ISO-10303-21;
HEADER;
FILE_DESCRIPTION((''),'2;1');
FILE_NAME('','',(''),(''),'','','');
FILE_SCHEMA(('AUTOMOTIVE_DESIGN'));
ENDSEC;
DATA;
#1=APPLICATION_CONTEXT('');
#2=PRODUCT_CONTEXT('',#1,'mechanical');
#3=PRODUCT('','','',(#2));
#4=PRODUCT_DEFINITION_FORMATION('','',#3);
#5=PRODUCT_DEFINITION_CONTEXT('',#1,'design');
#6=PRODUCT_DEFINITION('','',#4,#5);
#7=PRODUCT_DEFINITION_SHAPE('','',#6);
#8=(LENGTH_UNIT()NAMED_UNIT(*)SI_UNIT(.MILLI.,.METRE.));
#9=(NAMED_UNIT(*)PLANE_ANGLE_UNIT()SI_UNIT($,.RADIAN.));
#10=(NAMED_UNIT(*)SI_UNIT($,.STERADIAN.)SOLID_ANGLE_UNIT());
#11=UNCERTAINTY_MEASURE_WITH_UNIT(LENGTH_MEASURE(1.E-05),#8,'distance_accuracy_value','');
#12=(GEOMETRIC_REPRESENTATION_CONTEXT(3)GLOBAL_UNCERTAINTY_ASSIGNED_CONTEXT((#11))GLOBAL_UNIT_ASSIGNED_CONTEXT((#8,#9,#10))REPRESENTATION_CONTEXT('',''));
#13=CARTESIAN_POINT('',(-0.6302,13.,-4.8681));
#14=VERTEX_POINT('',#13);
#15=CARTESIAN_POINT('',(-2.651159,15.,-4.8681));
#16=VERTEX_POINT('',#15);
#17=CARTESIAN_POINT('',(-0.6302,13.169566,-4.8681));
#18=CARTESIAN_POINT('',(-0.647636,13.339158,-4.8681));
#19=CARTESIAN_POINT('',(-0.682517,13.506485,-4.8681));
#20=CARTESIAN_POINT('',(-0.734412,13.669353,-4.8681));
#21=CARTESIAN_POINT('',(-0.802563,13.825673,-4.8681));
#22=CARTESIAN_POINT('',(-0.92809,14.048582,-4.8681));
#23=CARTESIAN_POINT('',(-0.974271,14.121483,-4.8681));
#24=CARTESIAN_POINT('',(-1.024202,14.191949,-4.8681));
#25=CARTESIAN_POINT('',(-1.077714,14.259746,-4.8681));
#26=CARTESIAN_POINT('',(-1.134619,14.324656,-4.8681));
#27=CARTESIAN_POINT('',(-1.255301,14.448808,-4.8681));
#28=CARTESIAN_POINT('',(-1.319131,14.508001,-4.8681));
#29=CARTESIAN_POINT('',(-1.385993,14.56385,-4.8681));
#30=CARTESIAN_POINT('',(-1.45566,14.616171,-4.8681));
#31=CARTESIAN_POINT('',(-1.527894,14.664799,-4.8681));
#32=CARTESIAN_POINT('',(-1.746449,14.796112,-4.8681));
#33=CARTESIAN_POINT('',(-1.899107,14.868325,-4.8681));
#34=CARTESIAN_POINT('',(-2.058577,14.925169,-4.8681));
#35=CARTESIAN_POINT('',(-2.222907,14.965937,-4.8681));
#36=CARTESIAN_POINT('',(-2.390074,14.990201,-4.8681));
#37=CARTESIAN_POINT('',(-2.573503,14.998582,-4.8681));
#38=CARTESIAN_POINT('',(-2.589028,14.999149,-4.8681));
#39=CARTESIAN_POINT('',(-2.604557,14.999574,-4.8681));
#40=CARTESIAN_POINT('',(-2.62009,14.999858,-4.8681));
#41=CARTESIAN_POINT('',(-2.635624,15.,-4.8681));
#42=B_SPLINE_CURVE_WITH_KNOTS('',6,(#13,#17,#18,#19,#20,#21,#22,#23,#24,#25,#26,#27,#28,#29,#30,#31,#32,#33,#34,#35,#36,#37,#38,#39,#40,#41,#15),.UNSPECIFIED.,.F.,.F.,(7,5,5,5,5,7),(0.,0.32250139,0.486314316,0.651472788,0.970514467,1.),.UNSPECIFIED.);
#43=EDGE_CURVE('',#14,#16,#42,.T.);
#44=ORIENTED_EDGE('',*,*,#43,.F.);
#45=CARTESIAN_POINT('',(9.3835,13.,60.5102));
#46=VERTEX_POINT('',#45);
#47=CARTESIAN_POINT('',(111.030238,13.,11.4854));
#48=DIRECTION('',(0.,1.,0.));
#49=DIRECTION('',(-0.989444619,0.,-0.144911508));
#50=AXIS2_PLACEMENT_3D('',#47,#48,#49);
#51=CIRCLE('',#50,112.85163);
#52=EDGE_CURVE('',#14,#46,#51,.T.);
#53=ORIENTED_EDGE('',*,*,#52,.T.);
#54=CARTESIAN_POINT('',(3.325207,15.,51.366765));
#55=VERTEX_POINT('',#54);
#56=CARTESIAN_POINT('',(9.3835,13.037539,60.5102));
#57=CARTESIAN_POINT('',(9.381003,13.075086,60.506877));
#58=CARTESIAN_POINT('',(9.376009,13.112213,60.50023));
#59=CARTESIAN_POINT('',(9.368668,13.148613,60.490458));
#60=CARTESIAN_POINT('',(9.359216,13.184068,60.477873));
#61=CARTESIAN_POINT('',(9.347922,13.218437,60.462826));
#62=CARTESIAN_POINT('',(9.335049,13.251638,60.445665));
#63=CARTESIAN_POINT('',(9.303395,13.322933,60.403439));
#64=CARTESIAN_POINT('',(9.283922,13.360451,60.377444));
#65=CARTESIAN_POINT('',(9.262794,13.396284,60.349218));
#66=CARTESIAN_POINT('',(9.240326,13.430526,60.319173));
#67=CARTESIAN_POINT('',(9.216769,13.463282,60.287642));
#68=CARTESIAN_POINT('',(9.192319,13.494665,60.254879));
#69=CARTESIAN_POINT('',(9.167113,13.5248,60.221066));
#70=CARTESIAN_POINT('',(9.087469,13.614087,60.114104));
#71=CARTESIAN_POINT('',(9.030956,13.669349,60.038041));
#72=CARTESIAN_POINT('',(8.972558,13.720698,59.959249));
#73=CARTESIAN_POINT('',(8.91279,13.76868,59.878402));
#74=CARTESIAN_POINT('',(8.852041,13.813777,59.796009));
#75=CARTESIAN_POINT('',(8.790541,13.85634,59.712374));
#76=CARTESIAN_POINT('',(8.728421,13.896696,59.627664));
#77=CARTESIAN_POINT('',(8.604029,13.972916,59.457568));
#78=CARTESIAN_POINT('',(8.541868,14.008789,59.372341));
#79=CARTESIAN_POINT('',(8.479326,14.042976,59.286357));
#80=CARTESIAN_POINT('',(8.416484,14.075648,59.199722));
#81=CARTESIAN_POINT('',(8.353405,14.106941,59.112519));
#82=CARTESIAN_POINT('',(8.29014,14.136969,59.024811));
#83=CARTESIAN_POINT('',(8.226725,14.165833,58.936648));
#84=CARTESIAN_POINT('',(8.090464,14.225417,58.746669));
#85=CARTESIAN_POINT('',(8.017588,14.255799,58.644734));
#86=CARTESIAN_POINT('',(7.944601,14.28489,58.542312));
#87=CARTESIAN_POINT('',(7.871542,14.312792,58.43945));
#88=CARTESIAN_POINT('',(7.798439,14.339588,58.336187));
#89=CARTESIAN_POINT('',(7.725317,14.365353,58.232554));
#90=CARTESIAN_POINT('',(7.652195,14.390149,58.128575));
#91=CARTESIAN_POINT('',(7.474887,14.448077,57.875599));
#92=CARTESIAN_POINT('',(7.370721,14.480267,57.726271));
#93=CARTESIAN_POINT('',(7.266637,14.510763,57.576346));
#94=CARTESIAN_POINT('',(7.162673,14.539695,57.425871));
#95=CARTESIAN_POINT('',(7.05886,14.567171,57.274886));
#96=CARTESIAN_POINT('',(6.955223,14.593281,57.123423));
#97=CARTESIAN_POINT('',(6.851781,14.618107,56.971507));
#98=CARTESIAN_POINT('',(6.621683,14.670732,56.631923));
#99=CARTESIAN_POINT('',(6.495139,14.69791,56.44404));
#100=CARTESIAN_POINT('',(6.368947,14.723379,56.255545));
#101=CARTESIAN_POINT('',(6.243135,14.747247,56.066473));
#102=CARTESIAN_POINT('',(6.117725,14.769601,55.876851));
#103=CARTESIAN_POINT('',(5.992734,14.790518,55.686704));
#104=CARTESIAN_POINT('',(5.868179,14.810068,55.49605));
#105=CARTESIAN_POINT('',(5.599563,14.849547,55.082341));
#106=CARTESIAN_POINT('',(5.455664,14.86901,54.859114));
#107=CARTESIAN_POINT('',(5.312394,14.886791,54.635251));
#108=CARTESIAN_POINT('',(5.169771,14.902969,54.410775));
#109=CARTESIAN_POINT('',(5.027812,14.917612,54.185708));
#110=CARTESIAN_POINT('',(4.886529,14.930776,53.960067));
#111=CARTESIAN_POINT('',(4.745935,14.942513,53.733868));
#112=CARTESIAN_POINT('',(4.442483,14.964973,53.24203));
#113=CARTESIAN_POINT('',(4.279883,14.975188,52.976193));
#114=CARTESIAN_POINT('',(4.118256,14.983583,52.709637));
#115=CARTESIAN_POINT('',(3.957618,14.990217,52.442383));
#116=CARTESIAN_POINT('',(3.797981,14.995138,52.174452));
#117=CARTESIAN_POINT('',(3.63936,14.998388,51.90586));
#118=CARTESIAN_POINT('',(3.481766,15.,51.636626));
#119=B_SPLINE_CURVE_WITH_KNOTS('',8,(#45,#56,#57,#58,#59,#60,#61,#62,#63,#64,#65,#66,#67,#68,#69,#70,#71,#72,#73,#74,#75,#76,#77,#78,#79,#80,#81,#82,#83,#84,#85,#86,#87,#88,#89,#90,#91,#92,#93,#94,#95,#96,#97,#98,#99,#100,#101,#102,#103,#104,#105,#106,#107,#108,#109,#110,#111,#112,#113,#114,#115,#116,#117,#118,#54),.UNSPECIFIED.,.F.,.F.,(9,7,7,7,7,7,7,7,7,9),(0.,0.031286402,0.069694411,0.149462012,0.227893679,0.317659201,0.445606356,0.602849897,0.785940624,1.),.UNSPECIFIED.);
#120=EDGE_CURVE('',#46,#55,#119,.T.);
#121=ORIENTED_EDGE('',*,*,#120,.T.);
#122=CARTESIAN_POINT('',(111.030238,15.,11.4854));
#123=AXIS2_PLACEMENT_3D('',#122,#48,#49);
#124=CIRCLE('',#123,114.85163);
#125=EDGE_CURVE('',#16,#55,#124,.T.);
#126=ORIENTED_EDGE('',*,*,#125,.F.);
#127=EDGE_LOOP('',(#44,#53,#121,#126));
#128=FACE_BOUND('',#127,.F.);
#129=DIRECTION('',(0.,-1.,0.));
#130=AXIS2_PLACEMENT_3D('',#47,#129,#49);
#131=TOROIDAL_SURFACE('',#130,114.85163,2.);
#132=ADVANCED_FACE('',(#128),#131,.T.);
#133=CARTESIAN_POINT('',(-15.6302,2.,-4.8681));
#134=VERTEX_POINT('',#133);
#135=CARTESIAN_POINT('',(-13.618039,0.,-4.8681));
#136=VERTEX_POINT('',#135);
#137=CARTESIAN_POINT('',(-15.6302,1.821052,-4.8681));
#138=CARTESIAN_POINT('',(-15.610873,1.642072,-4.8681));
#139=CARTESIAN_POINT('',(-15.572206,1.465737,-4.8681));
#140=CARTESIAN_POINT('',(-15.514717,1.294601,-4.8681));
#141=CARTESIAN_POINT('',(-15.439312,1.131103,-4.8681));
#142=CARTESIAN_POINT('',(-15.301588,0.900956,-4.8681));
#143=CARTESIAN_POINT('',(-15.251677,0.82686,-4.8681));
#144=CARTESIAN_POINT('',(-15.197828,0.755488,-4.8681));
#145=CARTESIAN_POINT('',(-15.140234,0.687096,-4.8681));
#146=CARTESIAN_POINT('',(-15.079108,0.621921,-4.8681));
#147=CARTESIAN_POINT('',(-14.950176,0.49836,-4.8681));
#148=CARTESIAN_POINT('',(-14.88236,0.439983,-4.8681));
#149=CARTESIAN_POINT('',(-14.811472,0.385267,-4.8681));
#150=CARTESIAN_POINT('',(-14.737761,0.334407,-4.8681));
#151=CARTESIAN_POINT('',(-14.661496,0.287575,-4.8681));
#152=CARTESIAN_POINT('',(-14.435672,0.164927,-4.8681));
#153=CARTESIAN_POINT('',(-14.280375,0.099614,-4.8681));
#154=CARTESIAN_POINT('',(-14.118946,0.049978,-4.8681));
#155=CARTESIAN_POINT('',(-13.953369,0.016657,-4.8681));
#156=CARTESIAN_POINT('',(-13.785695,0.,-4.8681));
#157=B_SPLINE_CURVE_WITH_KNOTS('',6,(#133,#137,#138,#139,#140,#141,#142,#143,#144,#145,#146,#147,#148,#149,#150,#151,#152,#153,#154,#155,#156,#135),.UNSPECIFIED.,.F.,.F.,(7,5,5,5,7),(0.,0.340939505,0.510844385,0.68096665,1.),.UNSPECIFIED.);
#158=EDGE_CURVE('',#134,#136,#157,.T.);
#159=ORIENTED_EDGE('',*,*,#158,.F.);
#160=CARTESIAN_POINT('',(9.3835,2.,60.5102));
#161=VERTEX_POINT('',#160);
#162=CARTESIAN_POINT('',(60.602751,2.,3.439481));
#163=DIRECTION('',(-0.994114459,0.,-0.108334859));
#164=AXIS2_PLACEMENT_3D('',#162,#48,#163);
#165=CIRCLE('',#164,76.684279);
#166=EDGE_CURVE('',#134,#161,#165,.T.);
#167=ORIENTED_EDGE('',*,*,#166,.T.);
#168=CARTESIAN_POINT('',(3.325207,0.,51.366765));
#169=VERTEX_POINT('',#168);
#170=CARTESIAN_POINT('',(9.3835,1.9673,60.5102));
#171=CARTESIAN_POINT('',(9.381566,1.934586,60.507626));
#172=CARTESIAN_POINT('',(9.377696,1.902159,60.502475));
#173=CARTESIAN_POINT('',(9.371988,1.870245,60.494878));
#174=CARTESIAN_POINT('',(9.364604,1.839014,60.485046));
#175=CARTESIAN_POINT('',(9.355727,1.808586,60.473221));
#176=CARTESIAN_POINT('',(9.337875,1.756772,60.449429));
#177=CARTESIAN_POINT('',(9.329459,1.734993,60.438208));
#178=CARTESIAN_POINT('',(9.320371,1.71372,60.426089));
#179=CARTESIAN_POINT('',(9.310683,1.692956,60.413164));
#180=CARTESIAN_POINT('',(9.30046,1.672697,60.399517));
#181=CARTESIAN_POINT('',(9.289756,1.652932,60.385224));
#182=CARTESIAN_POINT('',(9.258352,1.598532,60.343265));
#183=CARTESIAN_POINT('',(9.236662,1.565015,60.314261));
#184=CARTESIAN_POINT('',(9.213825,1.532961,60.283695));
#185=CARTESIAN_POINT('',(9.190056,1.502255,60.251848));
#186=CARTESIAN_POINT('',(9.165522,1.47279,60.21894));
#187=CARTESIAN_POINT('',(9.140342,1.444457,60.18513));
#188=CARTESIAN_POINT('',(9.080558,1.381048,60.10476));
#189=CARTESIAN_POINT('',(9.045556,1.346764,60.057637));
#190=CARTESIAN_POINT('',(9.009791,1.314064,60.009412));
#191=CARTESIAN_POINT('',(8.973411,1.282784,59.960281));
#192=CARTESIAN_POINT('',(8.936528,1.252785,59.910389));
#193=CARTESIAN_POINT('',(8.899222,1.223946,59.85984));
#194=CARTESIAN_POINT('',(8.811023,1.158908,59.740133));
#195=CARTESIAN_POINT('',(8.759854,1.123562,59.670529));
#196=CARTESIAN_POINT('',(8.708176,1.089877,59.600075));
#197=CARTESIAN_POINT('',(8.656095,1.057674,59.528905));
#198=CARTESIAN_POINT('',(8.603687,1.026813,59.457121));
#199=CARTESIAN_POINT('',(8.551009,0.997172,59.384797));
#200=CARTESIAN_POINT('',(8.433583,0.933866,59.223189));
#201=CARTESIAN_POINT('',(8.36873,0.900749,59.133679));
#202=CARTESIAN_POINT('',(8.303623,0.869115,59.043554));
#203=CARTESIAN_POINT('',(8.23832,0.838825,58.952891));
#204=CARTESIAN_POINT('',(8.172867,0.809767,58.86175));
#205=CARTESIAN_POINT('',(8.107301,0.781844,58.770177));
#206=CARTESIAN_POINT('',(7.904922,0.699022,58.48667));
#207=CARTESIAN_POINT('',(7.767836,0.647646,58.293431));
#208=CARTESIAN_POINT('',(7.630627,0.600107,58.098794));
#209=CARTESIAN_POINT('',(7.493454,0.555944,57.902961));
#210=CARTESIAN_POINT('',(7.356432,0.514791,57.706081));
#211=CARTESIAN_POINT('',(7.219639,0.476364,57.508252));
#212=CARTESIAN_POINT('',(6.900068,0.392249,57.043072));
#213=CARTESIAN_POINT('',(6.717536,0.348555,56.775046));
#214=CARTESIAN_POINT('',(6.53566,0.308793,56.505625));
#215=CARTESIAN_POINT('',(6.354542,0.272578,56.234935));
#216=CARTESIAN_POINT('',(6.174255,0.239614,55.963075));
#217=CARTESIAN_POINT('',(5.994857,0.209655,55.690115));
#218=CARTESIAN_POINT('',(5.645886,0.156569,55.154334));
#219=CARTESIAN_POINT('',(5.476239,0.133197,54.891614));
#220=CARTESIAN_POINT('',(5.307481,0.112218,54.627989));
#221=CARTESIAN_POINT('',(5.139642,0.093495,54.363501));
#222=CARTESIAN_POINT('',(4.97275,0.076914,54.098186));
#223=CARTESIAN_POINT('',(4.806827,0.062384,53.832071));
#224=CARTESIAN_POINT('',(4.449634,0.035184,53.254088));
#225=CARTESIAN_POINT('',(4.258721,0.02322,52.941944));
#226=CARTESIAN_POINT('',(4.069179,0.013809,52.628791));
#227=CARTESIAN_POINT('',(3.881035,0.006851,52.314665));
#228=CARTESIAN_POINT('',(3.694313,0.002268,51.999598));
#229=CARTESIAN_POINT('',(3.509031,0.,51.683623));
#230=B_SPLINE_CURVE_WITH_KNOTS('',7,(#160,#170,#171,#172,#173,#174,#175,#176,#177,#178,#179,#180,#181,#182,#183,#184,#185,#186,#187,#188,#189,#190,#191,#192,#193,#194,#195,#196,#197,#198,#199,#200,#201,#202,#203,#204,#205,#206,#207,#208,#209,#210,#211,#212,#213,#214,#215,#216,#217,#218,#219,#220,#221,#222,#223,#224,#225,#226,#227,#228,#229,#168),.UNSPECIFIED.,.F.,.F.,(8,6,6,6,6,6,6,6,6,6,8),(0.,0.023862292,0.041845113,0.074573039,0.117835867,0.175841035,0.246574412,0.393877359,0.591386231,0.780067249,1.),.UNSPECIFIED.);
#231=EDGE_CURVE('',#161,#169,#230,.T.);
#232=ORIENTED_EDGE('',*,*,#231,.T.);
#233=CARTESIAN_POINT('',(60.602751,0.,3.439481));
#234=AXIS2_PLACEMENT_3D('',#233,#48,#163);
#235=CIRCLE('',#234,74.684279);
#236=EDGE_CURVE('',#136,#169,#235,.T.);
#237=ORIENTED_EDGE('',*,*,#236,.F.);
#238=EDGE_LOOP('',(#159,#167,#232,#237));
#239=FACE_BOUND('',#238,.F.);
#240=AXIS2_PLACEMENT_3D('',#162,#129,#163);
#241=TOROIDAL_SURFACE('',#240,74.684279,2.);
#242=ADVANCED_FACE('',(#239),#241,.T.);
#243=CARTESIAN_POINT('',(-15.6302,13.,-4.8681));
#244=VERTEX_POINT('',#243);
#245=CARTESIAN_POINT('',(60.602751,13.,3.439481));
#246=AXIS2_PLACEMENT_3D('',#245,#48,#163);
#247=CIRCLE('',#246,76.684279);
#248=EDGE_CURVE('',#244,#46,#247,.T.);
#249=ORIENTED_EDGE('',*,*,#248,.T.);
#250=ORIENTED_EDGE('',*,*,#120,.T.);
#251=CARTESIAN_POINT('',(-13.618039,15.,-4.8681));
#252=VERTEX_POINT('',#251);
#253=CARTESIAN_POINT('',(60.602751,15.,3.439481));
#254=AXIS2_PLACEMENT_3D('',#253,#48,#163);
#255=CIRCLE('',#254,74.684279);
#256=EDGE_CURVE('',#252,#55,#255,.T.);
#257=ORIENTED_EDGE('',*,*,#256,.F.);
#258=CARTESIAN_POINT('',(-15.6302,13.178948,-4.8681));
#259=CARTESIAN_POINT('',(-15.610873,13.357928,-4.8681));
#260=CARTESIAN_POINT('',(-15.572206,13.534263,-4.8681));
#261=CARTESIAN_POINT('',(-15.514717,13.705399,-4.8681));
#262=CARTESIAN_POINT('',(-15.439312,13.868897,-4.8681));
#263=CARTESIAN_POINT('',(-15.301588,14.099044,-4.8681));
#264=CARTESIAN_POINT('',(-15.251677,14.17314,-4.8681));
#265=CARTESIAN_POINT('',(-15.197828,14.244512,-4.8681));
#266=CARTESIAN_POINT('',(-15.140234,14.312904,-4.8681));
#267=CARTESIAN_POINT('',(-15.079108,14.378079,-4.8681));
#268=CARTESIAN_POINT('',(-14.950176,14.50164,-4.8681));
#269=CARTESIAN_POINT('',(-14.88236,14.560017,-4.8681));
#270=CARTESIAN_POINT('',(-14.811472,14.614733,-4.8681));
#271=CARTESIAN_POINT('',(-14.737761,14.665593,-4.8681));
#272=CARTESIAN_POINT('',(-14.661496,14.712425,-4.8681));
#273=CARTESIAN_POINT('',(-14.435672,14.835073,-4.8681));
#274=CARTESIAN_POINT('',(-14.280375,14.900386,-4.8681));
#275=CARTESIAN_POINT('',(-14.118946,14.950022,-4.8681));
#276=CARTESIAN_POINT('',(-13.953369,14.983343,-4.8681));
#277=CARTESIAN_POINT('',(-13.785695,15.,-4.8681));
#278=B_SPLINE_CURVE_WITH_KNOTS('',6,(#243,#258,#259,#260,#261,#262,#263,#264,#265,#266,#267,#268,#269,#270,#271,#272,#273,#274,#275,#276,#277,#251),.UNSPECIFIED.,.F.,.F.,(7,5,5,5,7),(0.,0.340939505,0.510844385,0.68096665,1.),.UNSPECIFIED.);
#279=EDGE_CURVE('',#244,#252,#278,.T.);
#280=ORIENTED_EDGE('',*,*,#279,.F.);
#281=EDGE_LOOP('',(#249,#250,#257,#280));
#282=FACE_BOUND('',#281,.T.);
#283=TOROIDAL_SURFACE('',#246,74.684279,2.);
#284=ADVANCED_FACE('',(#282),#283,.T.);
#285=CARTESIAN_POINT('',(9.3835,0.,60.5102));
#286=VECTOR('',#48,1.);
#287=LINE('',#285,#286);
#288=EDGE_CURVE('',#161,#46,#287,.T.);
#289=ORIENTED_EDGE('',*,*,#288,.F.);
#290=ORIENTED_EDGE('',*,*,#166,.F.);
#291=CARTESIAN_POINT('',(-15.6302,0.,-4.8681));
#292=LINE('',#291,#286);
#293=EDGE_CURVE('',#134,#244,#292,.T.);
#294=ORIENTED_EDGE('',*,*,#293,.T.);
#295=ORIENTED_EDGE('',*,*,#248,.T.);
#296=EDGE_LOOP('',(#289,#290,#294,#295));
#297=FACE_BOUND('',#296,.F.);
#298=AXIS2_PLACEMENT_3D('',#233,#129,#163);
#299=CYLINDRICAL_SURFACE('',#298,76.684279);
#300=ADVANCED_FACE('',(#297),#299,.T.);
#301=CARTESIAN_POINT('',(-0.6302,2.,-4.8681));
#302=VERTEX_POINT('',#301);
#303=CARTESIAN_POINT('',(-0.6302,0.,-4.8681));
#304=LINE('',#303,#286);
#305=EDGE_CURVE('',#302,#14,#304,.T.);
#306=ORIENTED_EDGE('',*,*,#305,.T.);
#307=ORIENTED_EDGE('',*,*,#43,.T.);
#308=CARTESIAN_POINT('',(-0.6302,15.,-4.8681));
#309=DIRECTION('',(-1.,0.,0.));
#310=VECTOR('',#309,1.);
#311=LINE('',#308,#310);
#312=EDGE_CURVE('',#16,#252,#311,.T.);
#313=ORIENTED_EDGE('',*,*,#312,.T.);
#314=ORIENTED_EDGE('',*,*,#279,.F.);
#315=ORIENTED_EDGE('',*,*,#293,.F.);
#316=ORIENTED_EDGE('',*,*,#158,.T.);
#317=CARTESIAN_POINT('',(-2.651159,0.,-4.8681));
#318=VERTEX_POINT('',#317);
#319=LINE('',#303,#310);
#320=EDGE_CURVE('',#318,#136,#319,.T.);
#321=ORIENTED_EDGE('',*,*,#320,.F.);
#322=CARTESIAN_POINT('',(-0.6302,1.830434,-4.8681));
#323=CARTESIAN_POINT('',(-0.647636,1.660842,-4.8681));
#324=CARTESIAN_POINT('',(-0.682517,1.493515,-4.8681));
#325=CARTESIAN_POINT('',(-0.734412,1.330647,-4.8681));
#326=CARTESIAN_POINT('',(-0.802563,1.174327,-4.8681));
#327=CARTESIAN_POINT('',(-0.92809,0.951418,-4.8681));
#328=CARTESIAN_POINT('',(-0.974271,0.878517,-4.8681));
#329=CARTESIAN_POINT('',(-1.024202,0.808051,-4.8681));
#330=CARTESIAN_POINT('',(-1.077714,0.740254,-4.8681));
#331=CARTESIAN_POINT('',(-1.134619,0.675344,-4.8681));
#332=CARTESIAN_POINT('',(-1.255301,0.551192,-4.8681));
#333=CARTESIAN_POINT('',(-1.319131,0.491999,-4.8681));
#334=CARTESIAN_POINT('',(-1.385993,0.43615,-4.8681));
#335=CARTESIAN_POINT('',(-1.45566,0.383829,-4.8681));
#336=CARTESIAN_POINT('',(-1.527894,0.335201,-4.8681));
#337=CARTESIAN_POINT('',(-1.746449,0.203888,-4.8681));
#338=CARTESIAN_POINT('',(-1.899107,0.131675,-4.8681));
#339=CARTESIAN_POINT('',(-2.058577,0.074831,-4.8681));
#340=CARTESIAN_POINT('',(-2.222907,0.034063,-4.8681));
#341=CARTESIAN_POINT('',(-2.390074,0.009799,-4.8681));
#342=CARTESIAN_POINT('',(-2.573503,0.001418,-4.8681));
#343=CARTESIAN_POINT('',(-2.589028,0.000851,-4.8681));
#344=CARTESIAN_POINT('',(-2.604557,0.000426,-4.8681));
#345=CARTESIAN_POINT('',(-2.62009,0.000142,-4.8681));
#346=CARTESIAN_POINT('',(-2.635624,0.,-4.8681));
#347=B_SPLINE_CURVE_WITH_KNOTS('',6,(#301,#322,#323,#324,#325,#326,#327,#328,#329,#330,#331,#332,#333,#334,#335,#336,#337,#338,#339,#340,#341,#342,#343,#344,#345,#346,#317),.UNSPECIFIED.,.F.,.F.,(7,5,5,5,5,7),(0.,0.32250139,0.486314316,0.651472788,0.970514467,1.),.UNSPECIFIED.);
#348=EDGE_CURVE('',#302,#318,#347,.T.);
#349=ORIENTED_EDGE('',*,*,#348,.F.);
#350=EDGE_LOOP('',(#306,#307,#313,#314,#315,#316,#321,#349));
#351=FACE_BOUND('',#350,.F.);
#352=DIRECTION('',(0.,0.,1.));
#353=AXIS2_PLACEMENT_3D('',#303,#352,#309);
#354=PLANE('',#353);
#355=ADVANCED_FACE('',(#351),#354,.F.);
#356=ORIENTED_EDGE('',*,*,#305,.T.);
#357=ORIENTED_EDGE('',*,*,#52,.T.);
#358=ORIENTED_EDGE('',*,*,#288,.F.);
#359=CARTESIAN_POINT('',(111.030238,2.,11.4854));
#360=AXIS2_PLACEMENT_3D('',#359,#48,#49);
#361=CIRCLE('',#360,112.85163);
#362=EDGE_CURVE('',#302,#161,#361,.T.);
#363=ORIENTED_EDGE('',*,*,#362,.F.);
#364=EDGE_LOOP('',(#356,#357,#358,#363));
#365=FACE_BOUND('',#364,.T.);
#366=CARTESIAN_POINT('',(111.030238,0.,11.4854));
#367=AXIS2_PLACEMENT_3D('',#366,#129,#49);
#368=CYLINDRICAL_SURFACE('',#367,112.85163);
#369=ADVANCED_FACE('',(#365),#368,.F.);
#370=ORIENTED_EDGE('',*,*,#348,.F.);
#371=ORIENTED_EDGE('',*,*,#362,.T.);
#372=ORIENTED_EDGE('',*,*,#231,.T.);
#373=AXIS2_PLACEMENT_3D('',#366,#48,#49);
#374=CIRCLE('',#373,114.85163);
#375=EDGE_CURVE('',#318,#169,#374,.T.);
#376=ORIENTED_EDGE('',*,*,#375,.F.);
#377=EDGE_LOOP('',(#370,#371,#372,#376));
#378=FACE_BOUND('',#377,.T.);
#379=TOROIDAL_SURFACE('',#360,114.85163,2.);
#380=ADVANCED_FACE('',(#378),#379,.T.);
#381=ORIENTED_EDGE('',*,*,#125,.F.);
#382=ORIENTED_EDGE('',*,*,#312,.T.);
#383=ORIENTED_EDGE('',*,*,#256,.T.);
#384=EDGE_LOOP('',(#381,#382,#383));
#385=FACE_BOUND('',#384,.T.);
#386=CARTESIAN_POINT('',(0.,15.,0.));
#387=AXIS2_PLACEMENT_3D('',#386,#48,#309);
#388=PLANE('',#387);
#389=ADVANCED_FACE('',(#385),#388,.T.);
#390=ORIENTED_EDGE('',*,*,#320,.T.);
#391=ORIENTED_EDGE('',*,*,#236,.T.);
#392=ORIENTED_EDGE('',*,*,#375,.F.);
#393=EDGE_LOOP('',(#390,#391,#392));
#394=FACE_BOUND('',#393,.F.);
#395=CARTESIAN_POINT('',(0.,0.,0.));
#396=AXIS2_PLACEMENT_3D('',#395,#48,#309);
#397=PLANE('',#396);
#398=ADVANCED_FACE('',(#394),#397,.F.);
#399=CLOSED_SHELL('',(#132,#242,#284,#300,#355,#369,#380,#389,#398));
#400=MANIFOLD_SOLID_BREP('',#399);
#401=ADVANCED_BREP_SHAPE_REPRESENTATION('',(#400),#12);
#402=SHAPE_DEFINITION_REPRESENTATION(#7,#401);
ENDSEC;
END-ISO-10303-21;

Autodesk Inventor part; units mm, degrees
ref_plane "YZ Plane" through (0, 0, 0) normal (1, 0, 0) x (0, 1, 0)
ref_plane "XZ Plane" through (0, 0, 0) normal (0, 1, 0) x (-1, 0, 0)
ref_plane "XY Plane" through (0, 0, 0) normal (0, 0, 1) x (1, 0, 0)
sketch "Sketch1" plane through (0, 0, 0) normal (0, 1, 0) x (-1, 0, 0)
  line L0 (0.6302, -4.8681) -> (15.6302, -4.8681)
  arc A0 (15.6302, -4.8681) -> (-9.3835, 60.5102) centre (-60.6026, 3.4395) ccw
  arc A1 (0.6302, -4.8681) -> (-9.3835, 60.5102) centre (-111.0302, 11.4854) ccw
  point P0 (0, 0)
  dimension "d0" = 15
  dimension "d1" = 70
extrude "Extrusion1" add sketch "Sketch1" along normal blind 15
fillet "Fillet1" radius 2 4 edges at (-0.5205, 15, 28.5711) (-0.5205, 0, 28.5711) (-11.0185, 15, 30.8417) (-11.0185, 0, 30.8417)
properties part number "dog tail 3"
